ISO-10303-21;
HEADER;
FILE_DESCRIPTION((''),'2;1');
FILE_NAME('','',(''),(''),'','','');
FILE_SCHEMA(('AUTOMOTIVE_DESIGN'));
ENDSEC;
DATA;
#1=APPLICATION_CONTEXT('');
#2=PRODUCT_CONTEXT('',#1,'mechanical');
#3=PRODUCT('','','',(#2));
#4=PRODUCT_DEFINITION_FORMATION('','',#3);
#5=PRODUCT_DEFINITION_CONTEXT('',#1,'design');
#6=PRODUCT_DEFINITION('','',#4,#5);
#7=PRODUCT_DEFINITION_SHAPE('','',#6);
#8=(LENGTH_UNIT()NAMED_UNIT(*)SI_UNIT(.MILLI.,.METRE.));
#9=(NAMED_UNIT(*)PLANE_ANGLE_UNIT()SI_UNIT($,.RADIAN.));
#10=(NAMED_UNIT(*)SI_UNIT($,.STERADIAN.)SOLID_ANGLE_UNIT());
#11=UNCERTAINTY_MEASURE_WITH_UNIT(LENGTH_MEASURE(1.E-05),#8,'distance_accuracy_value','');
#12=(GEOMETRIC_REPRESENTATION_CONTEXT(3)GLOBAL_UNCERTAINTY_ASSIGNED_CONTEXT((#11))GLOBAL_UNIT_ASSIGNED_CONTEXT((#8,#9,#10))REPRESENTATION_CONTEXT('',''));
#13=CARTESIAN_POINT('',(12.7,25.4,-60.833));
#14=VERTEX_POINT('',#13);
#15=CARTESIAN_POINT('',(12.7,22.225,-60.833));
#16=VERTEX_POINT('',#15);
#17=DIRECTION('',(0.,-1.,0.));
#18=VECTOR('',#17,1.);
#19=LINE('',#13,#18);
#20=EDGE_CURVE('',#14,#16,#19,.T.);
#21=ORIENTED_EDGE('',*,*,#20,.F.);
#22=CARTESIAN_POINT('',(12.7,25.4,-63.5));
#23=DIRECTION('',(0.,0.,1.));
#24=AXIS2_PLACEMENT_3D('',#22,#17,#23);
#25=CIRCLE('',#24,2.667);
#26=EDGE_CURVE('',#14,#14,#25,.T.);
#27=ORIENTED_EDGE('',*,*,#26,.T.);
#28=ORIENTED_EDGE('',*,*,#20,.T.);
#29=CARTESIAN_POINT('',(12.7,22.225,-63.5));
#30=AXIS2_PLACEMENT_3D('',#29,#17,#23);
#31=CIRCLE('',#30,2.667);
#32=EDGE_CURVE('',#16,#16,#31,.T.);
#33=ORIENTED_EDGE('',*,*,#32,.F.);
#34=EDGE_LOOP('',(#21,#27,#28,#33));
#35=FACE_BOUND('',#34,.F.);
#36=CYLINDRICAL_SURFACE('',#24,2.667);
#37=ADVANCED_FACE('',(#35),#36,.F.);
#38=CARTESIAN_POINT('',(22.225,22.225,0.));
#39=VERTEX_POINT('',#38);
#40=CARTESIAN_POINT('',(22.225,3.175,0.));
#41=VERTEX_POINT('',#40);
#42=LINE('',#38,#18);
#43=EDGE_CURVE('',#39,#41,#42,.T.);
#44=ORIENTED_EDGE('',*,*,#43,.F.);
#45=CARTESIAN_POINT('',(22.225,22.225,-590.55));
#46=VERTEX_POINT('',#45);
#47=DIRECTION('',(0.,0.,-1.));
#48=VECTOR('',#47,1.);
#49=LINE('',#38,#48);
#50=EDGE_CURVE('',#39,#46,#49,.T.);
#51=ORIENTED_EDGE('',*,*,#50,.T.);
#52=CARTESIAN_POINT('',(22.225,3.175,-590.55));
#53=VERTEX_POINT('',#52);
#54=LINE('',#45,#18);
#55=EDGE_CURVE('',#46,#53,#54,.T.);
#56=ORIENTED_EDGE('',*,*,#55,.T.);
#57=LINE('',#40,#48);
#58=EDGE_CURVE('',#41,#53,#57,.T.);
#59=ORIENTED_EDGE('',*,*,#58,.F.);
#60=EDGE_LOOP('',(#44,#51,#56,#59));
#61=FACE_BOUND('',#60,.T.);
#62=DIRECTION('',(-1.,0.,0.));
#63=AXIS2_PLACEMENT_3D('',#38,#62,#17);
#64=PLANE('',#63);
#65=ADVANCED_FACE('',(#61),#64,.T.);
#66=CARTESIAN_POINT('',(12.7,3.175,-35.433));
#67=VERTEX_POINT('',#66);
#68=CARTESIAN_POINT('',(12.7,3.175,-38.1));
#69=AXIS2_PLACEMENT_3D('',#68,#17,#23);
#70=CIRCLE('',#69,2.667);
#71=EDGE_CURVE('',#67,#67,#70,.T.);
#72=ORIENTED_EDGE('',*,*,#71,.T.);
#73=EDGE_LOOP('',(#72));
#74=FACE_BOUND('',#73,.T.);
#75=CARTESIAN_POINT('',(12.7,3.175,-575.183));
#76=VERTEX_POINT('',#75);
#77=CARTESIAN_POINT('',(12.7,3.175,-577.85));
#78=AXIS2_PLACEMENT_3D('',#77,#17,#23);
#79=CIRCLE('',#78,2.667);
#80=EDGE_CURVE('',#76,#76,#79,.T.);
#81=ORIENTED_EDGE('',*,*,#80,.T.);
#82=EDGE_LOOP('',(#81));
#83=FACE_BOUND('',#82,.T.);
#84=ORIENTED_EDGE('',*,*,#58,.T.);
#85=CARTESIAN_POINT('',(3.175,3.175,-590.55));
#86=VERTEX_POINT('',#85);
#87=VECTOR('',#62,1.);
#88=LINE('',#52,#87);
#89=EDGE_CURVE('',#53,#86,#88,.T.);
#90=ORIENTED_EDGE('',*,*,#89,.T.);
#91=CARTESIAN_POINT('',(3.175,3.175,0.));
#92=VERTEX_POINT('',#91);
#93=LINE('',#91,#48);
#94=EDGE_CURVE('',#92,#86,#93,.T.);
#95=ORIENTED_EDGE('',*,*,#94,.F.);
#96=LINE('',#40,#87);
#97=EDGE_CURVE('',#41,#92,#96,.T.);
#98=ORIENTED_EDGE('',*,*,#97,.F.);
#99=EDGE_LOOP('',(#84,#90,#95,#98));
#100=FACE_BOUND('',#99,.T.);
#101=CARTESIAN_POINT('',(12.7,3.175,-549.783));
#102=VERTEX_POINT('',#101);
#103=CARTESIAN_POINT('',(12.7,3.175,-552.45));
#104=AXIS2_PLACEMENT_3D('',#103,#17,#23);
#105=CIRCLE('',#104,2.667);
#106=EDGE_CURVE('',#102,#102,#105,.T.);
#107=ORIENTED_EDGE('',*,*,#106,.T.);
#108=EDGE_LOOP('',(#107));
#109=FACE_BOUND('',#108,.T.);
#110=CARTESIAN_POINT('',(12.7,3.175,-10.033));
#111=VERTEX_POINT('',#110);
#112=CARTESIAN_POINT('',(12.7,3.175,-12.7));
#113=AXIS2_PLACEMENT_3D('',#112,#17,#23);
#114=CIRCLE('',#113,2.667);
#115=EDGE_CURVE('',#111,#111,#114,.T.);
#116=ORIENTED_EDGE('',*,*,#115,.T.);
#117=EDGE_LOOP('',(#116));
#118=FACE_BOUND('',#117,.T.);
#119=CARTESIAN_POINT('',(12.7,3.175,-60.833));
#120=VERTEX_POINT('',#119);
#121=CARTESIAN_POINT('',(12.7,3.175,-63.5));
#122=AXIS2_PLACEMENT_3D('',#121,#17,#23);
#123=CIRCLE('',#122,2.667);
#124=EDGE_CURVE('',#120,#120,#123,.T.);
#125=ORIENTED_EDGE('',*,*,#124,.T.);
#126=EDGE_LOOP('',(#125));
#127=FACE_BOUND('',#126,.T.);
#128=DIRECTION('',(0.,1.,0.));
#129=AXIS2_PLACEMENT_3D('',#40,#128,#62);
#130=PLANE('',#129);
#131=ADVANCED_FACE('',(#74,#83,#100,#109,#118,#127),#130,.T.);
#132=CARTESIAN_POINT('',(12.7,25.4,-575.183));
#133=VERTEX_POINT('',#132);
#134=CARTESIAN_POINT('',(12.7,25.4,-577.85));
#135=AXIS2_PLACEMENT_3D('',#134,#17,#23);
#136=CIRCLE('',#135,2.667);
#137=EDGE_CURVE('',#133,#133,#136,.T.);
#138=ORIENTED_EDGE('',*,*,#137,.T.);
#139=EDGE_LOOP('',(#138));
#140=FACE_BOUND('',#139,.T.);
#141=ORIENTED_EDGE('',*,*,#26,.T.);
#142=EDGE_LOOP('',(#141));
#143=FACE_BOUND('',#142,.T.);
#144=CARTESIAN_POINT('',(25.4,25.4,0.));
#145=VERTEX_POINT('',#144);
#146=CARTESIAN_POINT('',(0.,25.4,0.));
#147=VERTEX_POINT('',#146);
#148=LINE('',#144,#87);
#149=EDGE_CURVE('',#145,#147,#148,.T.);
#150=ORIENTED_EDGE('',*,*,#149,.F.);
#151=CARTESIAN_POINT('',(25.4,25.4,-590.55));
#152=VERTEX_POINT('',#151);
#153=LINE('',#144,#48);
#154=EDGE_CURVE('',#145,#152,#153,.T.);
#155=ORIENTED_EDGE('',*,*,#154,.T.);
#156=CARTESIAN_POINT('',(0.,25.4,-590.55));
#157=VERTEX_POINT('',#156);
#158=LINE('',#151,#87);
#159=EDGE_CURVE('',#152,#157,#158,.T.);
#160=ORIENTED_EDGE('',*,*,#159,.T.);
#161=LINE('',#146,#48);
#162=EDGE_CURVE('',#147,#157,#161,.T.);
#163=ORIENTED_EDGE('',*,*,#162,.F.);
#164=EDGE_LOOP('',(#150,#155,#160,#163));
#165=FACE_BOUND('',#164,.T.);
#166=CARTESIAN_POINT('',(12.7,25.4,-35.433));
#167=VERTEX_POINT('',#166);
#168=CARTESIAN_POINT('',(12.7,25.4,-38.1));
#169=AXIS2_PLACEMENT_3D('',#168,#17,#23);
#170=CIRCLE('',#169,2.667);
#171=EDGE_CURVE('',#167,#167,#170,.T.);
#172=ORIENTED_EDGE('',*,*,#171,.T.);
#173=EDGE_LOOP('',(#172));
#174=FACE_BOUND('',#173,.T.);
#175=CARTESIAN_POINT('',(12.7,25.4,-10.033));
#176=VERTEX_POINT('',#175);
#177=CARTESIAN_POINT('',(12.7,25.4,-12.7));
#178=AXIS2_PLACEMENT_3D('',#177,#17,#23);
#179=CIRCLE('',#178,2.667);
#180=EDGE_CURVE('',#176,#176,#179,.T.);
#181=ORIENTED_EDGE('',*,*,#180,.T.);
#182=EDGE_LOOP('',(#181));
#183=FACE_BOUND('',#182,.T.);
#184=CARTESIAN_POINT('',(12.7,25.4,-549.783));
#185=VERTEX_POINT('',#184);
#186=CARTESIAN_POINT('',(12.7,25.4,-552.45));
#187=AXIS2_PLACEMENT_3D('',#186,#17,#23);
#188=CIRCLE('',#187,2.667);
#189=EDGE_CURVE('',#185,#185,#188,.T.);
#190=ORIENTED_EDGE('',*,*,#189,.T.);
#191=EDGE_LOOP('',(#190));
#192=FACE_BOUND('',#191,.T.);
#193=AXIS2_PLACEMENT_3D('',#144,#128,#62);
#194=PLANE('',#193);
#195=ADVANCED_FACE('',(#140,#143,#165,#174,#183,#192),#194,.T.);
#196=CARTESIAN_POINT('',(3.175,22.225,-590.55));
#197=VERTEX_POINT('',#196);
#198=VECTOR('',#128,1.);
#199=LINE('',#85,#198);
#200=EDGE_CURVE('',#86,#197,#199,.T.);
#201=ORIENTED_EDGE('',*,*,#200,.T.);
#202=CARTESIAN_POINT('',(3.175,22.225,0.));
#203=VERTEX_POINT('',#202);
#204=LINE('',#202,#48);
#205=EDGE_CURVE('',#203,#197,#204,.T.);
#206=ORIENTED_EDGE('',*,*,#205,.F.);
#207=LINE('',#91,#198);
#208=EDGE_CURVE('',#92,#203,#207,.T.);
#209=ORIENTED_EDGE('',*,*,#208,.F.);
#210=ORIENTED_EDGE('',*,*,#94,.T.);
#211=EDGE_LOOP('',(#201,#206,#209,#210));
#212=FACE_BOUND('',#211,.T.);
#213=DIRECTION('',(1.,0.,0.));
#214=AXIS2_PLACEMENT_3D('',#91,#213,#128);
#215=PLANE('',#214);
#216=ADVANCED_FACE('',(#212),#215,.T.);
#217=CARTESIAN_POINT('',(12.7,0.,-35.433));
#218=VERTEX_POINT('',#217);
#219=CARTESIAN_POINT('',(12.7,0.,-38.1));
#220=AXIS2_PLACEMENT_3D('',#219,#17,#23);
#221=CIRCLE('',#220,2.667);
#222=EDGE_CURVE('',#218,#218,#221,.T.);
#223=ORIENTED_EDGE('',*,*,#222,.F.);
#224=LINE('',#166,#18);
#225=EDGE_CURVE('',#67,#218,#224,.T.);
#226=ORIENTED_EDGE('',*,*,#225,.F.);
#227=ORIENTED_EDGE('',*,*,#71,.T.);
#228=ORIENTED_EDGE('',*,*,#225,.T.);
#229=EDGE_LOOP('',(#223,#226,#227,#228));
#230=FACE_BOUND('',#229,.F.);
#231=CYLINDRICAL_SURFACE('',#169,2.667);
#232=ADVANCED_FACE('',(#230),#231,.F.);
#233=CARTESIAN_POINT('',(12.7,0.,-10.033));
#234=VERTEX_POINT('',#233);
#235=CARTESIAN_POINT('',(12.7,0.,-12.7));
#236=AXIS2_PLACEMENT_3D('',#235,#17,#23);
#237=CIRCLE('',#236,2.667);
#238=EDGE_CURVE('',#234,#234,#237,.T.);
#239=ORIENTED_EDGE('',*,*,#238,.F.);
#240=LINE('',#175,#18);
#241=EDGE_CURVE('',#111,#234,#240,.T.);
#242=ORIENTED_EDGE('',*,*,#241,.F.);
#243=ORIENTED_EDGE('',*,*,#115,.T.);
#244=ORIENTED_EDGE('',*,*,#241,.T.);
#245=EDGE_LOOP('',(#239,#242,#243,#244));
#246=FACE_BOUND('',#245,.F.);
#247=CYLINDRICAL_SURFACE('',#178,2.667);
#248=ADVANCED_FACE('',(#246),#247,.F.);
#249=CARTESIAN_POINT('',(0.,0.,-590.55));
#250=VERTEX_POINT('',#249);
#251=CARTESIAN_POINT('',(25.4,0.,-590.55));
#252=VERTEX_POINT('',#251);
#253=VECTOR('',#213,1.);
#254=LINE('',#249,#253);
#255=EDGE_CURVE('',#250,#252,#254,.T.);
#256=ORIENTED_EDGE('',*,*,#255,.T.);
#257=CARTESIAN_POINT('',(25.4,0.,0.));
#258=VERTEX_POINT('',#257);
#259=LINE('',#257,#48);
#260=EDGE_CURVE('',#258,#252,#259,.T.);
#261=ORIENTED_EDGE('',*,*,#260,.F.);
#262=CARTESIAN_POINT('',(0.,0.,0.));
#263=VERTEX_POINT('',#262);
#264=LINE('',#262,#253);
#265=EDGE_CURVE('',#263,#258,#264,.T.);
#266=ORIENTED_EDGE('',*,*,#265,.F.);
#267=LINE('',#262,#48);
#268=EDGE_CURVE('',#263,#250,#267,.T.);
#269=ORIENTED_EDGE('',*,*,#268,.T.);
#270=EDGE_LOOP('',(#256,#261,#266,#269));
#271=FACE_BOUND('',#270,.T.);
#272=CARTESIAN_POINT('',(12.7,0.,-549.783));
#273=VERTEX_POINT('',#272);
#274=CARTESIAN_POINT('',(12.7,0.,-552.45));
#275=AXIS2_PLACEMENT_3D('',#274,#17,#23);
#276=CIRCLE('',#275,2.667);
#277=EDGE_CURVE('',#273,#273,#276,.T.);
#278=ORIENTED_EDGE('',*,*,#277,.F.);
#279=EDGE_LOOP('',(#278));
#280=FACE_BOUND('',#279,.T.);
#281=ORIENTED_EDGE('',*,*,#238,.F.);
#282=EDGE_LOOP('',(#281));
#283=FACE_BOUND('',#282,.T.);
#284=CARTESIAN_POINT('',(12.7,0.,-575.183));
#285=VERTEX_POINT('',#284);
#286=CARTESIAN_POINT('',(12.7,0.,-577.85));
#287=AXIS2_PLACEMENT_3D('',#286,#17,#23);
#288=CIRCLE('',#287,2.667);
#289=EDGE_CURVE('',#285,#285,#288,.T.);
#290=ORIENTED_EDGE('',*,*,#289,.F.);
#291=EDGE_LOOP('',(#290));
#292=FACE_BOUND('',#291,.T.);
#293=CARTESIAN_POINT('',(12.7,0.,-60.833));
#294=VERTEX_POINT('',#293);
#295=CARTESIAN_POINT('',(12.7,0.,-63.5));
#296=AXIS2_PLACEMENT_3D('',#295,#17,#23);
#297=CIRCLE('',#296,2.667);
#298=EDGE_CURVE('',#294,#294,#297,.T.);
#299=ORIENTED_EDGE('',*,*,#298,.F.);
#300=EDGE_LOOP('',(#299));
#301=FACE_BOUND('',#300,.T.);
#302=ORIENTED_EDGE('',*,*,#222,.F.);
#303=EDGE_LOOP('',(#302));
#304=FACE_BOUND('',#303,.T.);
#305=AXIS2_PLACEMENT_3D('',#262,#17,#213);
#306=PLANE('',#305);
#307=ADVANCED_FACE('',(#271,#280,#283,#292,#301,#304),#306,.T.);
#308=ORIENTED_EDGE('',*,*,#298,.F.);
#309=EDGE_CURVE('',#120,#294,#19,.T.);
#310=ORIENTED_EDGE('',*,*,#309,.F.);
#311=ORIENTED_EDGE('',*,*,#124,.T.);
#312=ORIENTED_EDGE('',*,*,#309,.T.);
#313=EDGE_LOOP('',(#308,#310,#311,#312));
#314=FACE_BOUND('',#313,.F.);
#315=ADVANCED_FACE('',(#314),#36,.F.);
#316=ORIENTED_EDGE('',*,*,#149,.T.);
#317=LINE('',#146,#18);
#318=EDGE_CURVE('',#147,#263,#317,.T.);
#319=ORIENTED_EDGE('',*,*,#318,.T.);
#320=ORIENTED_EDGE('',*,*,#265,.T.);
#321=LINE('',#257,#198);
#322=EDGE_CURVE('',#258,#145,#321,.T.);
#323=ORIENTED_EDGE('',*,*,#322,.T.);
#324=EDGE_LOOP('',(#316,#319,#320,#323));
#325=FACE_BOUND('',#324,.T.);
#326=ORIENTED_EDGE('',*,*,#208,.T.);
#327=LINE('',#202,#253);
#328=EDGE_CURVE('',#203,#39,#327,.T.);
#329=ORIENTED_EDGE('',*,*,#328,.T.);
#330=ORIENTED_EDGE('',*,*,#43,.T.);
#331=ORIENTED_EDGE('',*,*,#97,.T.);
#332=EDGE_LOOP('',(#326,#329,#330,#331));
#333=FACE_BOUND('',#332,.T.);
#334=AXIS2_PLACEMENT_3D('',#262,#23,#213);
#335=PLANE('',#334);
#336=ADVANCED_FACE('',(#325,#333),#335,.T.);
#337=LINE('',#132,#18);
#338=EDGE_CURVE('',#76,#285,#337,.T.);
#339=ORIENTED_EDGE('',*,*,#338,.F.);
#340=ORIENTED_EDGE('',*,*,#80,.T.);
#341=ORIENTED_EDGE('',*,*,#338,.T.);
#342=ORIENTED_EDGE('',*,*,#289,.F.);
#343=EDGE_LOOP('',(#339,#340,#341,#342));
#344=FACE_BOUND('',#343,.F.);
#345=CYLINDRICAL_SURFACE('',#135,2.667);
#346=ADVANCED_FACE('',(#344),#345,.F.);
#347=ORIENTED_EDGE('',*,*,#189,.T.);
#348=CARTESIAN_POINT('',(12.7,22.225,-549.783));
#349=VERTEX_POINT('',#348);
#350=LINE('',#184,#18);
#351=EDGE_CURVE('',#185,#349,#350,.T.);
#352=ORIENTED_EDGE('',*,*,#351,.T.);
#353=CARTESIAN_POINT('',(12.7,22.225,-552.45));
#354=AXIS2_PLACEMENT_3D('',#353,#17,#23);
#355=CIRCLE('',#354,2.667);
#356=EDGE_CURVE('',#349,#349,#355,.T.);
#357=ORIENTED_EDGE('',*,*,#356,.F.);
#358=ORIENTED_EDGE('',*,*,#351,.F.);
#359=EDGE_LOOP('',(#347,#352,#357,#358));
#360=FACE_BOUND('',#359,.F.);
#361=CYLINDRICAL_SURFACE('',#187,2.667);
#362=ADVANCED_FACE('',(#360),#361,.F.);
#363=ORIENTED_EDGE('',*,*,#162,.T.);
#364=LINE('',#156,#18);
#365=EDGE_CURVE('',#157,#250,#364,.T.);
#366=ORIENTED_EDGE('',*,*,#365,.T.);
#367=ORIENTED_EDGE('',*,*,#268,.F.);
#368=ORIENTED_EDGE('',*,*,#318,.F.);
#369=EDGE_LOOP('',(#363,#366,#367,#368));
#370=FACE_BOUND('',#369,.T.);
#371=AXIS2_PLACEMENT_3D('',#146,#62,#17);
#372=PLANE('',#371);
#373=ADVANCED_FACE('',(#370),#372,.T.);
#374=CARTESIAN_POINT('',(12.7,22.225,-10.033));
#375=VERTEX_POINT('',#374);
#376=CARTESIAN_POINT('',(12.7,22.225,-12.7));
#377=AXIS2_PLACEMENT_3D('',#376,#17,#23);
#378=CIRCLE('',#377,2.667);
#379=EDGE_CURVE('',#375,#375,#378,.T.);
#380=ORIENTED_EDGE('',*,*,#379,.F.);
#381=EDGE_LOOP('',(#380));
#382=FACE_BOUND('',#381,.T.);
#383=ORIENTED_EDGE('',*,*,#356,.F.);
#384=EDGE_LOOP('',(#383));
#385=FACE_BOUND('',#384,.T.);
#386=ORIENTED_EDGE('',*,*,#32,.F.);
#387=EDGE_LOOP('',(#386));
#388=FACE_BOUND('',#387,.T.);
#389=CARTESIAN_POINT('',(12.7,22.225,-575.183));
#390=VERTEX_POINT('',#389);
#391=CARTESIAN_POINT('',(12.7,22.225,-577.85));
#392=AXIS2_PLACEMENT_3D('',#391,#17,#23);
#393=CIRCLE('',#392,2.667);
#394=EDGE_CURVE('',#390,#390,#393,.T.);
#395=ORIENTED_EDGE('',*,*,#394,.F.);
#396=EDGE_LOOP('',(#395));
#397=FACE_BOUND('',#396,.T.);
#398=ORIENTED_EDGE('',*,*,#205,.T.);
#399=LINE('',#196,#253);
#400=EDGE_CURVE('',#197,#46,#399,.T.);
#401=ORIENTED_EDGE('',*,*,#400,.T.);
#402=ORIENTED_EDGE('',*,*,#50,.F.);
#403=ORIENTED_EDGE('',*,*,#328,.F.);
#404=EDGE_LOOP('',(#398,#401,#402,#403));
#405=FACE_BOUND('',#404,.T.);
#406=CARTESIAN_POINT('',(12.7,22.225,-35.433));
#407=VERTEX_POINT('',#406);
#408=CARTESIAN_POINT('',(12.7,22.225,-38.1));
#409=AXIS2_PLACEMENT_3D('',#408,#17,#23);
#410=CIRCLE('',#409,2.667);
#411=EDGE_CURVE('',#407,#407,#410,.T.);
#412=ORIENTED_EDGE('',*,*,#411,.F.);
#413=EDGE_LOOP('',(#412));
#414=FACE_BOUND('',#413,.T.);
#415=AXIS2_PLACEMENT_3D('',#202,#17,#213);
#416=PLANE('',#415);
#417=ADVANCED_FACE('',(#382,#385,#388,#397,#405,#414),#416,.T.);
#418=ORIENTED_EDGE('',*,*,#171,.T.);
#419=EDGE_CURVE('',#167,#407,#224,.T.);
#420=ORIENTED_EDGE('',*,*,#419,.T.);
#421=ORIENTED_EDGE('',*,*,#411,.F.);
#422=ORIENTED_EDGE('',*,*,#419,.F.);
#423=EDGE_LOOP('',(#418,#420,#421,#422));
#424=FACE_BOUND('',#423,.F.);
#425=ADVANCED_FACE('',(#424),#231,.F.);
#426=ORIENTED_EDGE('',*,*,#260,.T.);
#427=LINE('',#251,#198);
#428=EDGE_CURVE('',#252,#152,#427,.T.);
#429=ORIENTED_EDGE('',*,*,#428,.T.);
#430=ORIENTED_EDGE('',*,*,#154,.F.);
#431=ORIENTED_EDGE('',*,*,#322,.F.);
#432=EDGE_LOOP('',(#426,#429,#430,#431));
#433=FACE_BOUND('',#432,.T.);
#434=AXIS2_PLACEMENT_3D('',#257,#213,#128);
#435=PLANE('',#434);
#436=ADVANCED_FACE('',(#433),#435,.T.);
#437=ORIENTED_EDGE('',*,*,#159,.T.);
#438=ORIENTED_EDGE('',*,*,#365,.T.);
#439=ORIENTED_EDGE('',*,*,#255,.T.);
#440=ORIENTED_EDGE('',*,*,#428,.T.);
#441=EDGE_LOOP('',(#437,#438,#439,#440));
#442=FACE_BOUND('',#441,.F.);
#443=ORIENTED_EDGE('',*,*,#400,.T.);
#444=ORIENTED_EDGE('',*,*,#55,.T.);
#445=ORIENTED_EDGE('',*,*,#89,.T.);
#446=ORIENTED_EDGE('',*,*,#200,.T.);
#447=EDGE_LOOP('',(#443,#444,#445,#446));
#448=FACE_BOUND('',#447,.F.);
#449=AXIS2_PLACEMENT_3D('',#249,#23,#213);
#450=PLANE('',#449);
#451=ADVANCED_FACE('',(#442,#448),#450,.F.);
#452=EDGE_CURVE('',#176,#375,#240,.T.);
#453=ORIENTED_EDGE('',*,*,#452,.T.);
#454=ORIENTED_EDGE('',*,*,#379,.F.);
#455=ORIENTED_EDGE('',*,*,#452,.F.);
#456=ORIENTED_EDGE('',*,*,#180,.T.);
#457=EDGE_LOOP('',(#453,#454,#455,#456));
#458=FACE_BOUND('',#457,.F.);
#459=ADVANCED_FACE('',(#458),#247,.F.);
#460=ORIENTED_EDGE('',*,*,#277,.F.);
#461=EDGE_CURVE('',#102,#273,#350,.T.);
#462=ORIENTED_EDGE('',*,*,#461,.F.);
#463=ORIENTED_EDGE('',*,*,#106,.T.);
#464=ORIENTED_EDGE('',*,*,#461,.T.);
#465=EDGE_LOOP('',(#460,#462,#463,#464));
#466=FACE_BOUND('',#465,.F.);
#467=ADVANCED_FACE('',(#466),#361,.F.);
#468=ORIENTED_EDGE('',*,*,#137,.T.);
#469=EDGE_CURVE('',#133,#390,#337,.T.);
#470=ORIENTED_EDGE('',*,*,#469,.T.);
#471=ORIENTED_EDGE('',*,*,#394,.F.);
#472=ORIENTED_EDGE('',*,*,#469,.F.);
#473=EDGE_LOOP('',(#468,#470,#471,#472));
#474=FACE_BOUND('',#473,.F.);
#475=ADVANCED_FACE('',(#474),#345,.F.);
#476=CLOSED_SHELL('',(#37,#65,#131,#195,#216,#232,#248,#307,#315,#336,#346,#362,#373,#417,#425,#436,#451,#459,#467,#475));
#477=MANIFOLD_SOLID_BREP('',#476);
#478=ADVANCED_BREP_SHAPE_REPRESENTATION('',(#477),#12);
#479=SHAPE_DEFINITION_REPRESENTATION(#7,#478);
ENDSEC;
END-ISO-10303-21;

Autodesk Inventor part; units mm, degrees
ref_plane "YZ Plane" through (0, 0, 0) normal (1, 0, 0) x (0, 1, 0)
ref_plane "XZ Plane" through (0, 0, 0) normal (0, 1, 0) x (-1, 0, 0)
ref_plane "XY Plane" through (0, 0, 0) normal (0, 0, 1) x (1, 0, 0)
sketch "Sketch1" plane through (0, 0, 0) normal (0, 0, 1) x (1, 0, 0)
  line L0 (0, 0) -> (25.4, 0)
  line L1 (25.4, 0) -> (25.4, 25.4)
  line L2 (25.4, 25.4) -> (0, 25.4)
  line L3 (0, 25.4) -> (0, 0)
  line L4 (3.175, 22.225) -> (22.225, 22.225)
  line L5 (22.225, 22.225) -> (22.225, 3.175)
  line L6 (22.225, 3.175) -> (3.175, 3.175)
  line L7 (3.175, 3.175) -> (3.175, 22.225)
  dimension "d0" = 25.4
  dimension "d1" = 25.4
  dimension "d2" = 3.175
extrude "Extrusion1" add sketch "Sketch1" against normal blind 590.55
sketch "Sketch5" plane through (0, 25.4, 0) normal (0, 1, 0) x (1, 0, 0)
  line L0 (25.4, 590.55) -> (0, 590.55) projected
  line L1 (25.4, 0) -> (0, 0) projected
  point P0 (12.7, 12.7)
  point P1 (12.7, 38.1)
  point P2 (12.7, 63.5)
  point P3 (12.7, 577.85)
  point P4 (12.7, 552.45)
  dimension "d32" = 12.7
  dimension "d33" = 25.4
  dimension "d34" = 12.7
  dimension "d35" = 25.4
  dimension "d36" = 25.4
hole "Hole4" at (12.7, 25.4, -12.7) at (12.7, 25.4, -38.1) at (12.7, 25.4, -63.5) at (12.7, 25.4, -577.85) at (12.7, 25.4, -552.45) direction (0, -1, 0) diameter 5.334 depth 25.4 tip angle 118
properties part number "new horizontal kicker thingleft"
